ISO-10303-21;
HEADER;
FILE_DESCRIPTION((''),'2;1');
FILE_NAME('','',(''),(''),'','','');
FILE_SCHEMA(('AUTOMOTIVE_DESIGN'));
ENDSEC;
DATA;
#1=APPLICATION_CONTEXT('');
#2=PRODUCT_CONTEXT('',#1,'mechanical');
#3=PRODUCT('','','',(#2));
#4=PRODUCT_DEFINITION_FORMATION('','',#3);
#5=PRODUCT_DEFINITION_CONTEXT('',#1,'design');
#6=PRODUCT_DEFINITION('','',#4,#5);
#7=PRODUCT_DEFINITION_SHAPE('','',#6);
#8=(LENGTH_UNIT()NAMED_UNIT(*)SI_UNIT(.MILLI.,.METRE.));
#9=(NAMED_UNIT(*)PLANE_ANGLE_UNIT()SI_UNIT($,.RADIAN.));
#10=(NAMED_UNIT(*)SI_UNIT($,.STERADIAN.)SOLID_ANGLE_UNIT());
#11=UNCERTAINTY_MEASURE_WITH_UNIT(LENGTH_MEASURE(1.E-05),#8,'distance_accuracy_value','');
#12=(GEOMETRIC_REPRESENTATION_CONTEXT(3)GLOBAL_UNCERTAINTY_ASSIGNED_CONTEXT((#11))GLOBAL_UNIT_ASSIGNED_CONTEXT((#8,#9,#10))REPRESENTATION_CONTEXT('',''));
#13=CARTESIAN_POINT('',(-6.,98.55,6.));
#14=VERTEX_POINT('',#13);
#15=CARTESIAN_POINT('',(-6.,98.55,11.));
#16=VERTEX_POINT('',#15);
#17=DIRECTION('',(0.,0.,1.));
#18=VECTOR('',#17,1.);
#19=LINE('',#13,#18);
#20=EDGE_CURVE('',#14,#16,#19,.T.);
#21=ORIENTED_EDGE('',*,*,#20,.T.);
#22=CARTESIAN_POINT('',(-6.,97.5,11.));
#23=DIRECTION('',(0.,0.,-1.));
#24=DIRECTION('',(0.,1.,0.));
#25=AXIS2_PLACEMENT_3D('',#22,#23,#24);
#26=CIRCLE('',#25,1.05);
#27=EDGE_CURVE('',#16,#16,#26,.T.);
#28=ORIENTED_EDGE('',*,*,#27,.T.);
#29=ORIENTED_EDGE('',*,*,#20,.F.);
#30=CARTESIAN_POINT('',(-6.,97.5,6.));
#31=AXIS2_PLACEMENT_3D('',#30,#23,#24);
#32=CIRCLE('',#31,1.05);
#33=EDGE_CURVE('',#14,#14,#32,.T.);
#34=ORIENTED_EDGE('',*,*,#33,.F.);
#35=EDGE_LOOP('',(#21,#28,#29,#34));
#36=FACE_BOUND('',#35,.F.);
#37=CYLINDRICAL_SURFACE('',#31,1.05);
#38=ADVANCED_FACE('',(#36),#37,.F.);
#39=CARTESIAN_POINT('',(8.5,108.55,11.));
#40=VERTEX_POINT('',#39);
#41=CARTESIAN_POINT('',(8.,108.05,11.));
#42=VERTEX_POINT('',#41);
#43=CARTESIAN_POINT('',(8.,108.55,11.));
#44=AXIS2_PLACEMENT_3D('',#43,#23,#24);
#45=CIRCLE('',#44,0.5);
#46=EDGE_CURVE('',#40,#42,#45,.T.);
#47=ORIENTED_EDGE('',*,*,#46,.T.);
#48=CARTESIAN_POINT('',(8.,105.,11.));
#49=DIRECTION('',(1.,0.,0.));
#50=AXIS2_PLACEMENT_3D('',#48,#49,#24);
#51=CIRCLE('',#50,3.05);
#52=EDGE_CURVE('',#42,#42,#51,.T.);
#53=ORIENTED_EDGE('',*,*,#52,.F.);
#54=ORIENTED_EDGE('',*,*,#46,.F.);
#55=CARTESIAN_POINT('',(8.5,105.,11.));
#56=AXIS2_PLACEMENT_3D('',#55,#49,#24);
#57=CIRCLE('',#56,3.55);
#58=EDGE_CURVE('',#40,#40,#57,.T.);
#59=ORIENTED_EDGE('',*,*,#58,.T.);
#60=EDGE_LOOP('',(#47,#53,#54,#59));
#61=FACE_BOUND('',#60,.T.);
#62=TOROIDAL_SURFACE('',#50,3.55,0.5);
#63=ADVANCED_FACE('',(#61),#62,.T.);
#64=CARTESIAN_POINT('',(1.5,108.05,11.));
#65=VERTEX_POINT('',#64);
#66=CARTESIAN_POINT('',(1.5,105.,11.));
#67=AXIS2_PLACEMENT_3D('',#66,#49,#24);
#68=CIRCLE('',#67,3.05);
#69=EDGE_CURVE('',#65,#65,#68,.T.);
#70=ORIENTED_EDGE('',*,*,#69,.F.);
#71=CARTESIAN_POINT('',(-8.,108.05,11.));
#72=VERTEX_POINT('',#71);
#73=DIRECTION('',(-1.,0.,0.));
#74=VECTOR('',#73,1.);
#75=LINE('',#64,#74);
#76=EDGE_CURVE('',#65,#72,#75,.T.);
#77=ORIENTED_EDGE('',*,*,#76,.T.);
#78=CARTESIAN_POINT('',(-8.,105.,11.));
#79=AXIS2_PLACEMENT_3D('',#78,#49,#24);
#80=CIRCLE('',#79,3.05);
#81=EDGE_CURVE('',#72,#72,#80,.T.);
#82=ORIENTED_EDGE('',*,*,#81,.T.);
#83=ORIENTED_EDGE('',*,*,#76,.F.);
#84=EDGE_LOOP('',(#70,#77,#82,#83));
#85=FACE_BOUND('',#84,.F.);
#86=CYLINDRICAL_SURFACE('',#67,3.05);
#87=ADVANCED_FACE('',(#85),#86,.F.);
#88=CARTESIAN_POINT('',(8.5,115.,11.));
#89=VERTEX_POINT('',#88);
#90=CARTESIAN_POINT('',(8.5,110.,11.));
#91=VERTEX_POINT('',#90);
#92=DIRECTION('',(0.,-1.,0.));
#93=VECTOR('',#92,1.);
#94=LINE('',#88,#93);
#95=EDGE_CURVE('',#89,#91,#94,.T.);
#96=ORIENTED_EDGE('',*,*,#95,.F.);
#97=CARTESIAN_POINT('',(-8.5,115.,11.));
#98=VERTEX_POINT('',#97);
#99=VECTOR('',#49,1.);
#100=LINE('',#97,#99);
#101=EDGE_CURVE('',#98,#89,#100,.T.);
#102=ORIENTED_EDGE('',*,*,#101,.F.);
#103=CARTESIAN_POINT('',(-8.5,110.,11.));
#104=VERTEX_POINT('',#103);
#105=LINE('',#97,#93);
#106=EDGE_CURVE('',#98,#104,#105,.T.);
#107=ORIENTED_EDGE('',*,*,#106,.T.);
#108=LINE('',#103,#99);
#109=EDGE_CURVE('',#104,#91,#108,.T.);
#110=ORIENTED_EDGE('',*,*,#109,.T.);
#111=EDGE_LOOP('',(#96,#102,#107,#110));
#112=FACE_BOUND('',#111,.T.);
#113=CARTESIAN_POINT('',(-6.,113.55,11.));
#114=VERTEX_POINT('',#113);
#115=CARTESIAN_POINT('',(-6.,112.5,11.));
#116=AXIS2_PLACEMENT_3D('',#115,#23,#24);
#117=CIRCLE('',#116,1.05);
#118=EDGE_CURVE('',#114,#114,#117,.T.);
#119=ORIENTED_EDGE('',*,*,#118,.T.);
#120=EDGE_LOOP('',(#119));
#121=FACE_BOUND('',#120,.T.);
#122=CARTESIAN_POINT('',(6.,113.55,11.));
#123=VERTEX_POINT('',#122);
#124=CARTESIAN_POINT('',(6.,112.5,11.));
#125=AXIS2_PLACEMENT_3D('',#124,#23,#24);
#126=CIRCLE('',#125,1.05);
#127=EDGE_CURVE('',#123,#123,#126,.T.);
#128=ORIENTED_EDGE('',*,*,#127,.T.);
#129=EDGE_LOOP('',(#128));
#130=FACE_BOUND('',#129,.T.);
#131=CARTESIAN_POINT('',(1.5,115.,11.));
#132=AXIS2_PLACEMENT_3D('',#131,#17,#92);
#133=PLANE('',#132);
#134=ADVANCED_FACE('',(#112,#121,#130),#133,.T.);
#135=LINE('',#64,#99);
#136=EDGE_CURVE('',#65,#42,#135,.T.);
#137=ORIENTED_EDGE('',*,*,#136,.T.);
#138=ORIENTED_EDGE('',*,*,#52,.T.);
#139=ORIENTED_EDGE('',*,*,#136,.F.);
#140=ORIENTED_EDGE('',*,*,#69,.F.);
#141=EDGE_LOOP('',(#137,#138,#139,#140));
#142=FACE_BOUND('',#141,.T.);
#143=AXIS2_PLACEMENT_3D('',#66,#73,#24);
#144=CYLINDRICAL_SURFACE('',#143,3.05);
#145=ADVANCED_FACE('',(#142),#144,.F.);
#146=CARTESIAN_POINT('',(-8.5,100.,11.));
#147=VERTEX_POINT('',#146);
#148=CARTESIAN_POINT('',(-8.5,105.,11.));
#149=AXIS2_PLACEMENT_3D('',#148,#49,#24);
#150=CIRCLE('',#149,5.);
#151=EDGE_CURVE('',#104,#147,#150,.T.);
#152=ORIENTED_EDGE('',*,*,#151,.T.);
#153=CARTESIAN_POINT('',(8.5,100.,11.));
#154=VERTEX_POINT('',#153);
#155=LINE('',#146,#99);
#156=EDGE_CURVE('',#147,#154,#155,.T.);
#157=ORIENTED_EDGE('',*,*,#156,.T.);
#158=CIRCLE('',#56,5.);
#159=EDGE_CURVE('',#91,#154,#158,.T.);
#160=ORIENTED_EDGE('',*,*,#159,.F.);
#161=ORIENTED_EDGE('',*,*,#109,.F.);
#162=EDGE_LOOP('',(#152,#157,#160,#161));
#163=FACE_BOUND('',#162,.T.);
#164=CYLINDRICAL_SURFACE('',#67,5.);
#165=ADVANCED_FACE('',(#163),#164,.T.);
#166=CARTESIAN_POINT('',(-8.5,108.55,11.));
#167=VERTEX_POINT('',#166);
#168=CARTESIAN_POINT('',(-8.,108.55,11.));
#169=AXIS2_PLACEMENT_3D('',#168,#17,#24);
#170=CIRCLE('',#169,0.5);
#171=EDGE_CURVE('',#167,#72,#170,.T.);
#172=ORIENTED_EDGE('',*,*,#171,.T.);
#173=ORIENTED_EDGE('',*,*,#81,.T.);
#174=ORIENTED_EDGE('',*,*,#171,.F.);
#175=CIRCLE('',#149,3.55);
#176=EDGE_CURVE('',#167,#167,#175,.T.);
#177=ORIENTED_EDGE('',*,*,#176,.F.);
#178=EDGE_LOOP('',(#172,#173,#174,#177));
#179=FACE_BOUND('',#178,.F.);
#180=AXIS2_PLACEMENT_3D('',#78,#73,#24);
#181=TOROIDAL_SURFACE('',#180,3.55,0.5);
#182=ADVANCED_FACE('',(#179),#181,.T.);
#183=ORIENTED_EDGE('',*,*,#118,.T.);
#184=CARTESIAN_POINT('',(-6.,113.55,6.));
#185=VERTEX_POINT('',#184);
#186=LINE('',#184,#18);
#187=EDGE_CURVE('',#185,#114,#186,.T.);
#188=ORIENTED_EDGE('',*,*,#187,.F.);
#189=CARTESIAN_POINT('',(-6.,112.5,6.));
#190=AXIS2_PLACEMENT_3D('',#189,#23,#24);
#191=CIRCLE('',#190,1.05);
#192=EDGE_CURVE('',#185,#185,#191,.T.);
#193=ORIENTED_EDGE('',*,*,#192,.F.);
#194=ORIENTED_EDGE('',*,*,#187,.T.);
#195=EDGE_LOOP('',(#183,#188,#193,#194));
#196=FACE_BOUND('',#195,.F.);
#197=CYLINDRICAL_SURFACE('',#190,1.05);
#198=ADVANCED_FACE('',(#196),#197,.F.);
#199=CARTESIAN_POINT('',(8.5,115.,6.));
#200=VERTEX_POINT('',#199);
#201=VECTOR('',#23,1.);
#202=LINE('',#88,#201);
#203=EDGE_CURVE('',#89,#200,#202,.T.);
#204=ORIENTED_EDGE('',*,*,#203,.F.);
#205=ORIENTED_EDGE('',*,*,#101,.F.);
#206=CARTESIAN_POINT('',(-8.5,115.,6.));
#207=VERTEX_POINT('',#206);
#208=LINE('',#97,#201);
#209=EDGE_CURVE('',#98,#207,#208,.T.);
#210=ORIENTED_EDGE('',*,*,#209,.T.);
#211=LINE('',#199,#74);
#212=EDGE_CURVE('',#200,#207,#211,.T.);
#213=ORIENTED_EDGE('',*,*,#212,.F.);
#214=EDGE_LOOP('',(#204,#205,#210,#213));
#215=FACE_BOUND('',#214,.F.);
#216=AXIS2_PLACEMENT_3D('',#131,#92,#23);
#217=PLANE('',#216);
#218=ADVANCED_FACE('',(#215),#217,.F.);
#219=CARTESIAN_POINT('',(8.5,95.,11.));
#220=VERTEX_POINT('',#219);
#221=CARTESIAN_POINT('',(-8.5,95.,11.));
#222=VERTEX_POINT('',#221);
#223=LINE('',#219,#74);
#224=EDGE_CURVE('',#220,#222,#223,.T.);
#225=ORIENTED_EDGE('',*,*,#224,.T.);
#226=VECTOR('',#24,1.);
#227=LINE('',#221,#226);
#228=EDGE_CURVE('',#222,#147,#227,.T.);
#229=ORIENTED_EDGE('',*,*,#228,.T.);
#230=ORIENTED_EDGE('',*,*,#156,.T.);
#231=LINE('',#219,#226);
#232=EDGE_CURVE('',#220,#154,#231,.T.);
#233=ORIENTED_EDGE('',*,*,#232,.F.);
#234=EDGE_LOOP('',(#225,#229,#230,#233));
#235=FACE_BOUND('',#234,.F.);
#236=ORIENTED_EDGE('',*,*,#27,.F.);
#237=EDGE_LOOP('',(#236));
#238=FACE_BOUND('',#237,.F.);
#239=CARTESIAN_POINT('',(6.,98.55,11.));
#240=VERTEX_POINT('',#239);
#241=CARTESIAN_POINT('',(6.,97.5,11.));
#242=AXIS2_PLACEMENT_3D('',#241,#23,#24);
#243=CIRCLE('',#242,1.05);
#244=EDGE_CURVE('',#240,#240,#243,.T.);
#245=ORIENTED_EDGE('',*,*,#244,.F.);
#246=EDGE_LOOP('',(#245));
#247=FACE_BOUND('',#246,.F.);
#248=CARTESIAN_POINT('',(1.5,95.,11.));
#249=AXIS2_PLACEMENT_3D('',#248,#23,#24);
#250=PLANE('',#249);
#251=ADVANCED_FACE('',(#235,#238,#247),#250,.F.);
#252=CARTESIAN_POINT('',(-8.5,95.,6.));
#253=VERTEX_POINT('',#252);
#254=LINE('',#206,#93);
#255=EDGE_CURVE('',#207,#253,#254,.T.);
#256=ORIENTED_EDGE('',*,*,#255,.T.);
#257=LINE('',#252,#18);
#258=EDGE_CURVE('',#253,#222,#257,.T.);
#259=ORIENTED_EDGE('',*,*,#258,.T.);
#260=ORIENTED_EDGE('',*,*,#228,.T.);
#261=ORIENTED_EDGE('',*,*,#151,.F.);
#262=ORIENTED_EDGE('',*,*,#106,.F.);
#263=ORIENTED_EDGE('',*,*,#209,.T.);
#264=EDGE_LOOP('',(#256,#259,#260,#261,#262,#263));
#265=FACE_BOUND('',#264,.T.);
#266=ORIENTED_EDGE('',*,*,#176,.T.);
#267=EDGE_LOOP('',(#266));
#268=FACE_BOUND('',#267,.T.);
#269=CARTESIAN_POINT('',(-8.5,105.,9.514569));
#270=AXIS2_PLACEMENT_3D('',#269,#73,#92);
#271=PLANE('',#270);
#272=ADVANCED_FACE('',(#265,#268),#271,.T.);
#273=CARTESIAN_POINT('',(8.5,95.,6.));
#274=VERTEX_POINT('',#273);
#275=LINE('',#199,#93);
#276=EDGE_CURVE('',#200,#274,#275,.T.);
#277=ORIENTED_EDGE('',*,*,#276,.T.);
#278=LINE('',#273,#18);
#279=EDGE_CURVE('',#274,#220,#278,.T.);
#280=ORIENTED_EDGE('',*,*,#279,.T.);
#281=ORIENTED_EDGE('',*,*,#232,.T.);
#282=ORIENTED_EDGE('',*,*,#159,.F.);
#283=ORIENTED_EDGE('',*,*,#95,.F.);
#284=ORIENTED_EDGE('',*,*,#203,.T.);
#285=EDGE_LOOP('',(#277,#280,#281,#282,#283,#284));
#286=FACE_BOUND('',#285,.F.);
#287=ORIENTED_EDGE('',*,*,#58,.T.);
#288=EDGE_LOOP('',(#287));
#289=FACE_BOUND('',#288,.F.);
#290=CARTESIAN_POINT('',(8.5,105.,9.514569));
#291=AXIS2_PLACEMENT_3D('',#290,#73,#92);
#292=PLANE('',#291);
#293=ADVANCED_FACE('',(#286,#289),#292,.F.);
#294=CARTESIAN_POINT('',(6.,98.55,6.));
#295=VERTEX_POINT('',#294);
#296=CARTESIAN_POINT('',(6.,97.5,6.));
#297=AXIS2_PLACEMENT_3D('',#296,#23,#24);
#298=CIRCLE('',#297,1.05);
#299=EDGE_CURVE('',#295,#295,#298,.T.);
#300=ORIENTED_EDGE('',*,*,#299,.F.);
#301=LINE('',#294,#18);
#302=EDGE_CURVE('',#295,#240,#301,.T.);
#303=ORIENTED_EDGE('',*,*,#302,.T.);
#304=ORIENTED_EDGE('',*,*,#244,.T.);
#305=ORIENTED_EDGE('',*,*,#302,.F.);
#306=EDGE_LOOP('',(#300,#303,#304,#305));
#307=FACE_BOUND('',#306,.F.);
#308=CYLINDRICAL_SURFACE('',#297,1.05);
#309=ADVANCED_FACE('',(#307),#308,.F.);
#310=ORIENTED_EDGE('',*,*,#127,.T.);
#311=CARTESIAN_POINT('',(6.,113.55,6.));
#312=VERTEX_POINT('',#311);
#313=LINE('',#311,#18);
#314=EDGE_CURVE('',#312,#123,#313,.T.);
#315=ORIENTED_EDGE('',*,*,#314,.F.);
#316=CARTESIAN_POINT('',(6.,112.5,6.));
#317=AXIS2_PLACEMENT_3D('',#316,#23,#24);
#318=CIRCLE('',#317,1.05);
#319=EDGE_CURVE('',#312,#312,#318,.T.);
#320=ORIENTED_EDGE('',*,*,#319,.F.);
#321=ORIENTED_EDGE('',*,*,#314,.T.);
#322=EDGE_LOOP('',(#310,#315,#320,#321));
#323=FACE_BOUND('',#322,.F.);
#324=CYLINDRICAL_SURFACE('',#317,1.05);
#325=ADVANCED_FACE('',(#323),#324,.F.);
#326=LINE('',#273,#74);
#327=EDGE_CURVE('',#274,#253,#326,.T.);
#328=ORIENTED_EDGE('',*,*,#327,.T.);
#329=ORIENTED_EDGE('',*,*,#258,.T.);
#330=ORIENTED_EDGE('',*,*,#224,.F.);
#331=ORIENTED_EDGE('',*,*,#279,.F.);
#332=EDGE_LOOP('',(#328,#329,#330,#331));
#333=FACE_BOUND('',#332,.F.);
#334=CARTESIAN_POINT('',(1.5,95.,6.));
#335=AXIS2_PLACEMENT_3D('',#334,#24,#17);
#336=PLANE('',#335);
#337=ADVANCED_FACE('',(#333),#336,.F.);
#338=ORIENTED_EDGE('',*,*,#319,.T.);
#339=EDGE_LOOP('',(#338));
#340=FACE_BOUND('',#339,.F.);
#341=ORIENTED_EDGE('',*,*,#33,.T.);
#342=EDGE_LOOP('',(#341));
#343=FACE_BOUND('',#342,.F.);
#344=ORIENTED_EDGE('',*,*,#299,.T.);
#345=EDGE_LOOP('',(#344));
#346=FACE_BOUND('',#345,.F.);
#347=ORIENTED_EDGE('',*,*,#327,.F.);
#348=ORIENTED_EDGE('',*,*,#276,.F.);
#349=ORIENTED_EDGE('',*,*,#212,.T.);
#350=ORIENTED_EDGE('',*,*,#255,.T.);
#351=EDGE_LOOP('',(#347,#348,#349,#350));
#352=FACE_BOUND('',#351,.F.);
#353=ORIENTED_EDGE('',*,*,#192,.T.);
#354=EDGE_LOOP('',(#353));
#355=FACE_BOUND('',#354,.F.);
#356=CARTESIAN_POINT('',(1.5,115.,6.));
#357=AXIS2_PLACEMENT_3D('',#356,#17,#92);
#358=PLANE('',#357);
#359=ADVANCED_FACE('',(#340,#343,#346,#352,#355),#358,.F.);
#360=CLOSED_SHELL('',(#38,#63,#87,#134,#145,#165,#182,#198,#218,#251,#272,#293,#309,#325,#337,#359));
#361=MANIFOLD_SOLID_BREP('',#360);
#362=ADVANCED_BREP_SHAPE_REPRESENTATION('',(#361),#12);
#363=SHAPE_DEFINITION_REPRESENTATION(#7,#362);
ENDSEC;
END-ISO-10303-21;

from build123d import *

# Parameters (mm, degrees)
SKETCH_R                 = 3.05
PAD_DEPTH                = 7
PAD_DEPTH_BACK           = 10
SKETCH001_R              = 1.05
POCKET_DEPTH             = 5
FILLET_R                 = 0.5
CLONE004_PLACEMENT_ANGLE = 90


with BuildPart() as part:
    # Sketch → Pad (new body, two sides)
    with BuildSketch(Plane.XZ) as pad_sk:
        with BuildLine():
            Line((10, 0), (10, -5))
            Line((10, -5), (-10, -5))
            Line((-10, -5), (-10, 0))
            Line((-10, 0), (-5, 0))
            ThreePointArc((5, 0), (0, 5), (-5, 0))
            Line((10, 0), (5, 0))
        make_face()
        Circle(SKETCH_R, mode=Mode.SUBTRACT)
    extrude(amount=PAD_DEPTH)
    extrude(pad_sk.sketch, amount=-PAD_DEPTH_BACK)

    # Sketch001 → Pocket (cut)
    with BuildSketch(Plane(origin=(0, 0, -5), x_dir=(1, 0, 0), z_dir=(0, 0, -1))):
        with Locations((-7.5, 4.5)):
            Circle(SKETCH001_R)
        with Locations((-7.5, -7.5)):
            Circle(SKETCH001_R)
        with Locations((7.5, -7.5)):
            Circle(SKETCH001_R)
        with Locations((7.5, 4.5)):
            Circle(SKETCH001_R)
    extrude(amount=-POCKET_DEPTH, mode=Mode.SUBTRACT)

    # Fillet
    fillet_edges = [part.edges().sort_by_distance(p)[0] for p in [
        (-3.05, 10, 0),
        (-3.05, -7, 0),
    ]]
    fillet(fillet_edges, radius=FILLET_R)


with BuildPart() as part_1:
    # Clone004 placement: moved
    add(part.part.moved(Location((1.5, 105, 11))).rotate(Axis((1.5, 105, 11), (0, 0, 1)), CLONE004_PLACEMENT_ANGLE))


solid = part_1.part
